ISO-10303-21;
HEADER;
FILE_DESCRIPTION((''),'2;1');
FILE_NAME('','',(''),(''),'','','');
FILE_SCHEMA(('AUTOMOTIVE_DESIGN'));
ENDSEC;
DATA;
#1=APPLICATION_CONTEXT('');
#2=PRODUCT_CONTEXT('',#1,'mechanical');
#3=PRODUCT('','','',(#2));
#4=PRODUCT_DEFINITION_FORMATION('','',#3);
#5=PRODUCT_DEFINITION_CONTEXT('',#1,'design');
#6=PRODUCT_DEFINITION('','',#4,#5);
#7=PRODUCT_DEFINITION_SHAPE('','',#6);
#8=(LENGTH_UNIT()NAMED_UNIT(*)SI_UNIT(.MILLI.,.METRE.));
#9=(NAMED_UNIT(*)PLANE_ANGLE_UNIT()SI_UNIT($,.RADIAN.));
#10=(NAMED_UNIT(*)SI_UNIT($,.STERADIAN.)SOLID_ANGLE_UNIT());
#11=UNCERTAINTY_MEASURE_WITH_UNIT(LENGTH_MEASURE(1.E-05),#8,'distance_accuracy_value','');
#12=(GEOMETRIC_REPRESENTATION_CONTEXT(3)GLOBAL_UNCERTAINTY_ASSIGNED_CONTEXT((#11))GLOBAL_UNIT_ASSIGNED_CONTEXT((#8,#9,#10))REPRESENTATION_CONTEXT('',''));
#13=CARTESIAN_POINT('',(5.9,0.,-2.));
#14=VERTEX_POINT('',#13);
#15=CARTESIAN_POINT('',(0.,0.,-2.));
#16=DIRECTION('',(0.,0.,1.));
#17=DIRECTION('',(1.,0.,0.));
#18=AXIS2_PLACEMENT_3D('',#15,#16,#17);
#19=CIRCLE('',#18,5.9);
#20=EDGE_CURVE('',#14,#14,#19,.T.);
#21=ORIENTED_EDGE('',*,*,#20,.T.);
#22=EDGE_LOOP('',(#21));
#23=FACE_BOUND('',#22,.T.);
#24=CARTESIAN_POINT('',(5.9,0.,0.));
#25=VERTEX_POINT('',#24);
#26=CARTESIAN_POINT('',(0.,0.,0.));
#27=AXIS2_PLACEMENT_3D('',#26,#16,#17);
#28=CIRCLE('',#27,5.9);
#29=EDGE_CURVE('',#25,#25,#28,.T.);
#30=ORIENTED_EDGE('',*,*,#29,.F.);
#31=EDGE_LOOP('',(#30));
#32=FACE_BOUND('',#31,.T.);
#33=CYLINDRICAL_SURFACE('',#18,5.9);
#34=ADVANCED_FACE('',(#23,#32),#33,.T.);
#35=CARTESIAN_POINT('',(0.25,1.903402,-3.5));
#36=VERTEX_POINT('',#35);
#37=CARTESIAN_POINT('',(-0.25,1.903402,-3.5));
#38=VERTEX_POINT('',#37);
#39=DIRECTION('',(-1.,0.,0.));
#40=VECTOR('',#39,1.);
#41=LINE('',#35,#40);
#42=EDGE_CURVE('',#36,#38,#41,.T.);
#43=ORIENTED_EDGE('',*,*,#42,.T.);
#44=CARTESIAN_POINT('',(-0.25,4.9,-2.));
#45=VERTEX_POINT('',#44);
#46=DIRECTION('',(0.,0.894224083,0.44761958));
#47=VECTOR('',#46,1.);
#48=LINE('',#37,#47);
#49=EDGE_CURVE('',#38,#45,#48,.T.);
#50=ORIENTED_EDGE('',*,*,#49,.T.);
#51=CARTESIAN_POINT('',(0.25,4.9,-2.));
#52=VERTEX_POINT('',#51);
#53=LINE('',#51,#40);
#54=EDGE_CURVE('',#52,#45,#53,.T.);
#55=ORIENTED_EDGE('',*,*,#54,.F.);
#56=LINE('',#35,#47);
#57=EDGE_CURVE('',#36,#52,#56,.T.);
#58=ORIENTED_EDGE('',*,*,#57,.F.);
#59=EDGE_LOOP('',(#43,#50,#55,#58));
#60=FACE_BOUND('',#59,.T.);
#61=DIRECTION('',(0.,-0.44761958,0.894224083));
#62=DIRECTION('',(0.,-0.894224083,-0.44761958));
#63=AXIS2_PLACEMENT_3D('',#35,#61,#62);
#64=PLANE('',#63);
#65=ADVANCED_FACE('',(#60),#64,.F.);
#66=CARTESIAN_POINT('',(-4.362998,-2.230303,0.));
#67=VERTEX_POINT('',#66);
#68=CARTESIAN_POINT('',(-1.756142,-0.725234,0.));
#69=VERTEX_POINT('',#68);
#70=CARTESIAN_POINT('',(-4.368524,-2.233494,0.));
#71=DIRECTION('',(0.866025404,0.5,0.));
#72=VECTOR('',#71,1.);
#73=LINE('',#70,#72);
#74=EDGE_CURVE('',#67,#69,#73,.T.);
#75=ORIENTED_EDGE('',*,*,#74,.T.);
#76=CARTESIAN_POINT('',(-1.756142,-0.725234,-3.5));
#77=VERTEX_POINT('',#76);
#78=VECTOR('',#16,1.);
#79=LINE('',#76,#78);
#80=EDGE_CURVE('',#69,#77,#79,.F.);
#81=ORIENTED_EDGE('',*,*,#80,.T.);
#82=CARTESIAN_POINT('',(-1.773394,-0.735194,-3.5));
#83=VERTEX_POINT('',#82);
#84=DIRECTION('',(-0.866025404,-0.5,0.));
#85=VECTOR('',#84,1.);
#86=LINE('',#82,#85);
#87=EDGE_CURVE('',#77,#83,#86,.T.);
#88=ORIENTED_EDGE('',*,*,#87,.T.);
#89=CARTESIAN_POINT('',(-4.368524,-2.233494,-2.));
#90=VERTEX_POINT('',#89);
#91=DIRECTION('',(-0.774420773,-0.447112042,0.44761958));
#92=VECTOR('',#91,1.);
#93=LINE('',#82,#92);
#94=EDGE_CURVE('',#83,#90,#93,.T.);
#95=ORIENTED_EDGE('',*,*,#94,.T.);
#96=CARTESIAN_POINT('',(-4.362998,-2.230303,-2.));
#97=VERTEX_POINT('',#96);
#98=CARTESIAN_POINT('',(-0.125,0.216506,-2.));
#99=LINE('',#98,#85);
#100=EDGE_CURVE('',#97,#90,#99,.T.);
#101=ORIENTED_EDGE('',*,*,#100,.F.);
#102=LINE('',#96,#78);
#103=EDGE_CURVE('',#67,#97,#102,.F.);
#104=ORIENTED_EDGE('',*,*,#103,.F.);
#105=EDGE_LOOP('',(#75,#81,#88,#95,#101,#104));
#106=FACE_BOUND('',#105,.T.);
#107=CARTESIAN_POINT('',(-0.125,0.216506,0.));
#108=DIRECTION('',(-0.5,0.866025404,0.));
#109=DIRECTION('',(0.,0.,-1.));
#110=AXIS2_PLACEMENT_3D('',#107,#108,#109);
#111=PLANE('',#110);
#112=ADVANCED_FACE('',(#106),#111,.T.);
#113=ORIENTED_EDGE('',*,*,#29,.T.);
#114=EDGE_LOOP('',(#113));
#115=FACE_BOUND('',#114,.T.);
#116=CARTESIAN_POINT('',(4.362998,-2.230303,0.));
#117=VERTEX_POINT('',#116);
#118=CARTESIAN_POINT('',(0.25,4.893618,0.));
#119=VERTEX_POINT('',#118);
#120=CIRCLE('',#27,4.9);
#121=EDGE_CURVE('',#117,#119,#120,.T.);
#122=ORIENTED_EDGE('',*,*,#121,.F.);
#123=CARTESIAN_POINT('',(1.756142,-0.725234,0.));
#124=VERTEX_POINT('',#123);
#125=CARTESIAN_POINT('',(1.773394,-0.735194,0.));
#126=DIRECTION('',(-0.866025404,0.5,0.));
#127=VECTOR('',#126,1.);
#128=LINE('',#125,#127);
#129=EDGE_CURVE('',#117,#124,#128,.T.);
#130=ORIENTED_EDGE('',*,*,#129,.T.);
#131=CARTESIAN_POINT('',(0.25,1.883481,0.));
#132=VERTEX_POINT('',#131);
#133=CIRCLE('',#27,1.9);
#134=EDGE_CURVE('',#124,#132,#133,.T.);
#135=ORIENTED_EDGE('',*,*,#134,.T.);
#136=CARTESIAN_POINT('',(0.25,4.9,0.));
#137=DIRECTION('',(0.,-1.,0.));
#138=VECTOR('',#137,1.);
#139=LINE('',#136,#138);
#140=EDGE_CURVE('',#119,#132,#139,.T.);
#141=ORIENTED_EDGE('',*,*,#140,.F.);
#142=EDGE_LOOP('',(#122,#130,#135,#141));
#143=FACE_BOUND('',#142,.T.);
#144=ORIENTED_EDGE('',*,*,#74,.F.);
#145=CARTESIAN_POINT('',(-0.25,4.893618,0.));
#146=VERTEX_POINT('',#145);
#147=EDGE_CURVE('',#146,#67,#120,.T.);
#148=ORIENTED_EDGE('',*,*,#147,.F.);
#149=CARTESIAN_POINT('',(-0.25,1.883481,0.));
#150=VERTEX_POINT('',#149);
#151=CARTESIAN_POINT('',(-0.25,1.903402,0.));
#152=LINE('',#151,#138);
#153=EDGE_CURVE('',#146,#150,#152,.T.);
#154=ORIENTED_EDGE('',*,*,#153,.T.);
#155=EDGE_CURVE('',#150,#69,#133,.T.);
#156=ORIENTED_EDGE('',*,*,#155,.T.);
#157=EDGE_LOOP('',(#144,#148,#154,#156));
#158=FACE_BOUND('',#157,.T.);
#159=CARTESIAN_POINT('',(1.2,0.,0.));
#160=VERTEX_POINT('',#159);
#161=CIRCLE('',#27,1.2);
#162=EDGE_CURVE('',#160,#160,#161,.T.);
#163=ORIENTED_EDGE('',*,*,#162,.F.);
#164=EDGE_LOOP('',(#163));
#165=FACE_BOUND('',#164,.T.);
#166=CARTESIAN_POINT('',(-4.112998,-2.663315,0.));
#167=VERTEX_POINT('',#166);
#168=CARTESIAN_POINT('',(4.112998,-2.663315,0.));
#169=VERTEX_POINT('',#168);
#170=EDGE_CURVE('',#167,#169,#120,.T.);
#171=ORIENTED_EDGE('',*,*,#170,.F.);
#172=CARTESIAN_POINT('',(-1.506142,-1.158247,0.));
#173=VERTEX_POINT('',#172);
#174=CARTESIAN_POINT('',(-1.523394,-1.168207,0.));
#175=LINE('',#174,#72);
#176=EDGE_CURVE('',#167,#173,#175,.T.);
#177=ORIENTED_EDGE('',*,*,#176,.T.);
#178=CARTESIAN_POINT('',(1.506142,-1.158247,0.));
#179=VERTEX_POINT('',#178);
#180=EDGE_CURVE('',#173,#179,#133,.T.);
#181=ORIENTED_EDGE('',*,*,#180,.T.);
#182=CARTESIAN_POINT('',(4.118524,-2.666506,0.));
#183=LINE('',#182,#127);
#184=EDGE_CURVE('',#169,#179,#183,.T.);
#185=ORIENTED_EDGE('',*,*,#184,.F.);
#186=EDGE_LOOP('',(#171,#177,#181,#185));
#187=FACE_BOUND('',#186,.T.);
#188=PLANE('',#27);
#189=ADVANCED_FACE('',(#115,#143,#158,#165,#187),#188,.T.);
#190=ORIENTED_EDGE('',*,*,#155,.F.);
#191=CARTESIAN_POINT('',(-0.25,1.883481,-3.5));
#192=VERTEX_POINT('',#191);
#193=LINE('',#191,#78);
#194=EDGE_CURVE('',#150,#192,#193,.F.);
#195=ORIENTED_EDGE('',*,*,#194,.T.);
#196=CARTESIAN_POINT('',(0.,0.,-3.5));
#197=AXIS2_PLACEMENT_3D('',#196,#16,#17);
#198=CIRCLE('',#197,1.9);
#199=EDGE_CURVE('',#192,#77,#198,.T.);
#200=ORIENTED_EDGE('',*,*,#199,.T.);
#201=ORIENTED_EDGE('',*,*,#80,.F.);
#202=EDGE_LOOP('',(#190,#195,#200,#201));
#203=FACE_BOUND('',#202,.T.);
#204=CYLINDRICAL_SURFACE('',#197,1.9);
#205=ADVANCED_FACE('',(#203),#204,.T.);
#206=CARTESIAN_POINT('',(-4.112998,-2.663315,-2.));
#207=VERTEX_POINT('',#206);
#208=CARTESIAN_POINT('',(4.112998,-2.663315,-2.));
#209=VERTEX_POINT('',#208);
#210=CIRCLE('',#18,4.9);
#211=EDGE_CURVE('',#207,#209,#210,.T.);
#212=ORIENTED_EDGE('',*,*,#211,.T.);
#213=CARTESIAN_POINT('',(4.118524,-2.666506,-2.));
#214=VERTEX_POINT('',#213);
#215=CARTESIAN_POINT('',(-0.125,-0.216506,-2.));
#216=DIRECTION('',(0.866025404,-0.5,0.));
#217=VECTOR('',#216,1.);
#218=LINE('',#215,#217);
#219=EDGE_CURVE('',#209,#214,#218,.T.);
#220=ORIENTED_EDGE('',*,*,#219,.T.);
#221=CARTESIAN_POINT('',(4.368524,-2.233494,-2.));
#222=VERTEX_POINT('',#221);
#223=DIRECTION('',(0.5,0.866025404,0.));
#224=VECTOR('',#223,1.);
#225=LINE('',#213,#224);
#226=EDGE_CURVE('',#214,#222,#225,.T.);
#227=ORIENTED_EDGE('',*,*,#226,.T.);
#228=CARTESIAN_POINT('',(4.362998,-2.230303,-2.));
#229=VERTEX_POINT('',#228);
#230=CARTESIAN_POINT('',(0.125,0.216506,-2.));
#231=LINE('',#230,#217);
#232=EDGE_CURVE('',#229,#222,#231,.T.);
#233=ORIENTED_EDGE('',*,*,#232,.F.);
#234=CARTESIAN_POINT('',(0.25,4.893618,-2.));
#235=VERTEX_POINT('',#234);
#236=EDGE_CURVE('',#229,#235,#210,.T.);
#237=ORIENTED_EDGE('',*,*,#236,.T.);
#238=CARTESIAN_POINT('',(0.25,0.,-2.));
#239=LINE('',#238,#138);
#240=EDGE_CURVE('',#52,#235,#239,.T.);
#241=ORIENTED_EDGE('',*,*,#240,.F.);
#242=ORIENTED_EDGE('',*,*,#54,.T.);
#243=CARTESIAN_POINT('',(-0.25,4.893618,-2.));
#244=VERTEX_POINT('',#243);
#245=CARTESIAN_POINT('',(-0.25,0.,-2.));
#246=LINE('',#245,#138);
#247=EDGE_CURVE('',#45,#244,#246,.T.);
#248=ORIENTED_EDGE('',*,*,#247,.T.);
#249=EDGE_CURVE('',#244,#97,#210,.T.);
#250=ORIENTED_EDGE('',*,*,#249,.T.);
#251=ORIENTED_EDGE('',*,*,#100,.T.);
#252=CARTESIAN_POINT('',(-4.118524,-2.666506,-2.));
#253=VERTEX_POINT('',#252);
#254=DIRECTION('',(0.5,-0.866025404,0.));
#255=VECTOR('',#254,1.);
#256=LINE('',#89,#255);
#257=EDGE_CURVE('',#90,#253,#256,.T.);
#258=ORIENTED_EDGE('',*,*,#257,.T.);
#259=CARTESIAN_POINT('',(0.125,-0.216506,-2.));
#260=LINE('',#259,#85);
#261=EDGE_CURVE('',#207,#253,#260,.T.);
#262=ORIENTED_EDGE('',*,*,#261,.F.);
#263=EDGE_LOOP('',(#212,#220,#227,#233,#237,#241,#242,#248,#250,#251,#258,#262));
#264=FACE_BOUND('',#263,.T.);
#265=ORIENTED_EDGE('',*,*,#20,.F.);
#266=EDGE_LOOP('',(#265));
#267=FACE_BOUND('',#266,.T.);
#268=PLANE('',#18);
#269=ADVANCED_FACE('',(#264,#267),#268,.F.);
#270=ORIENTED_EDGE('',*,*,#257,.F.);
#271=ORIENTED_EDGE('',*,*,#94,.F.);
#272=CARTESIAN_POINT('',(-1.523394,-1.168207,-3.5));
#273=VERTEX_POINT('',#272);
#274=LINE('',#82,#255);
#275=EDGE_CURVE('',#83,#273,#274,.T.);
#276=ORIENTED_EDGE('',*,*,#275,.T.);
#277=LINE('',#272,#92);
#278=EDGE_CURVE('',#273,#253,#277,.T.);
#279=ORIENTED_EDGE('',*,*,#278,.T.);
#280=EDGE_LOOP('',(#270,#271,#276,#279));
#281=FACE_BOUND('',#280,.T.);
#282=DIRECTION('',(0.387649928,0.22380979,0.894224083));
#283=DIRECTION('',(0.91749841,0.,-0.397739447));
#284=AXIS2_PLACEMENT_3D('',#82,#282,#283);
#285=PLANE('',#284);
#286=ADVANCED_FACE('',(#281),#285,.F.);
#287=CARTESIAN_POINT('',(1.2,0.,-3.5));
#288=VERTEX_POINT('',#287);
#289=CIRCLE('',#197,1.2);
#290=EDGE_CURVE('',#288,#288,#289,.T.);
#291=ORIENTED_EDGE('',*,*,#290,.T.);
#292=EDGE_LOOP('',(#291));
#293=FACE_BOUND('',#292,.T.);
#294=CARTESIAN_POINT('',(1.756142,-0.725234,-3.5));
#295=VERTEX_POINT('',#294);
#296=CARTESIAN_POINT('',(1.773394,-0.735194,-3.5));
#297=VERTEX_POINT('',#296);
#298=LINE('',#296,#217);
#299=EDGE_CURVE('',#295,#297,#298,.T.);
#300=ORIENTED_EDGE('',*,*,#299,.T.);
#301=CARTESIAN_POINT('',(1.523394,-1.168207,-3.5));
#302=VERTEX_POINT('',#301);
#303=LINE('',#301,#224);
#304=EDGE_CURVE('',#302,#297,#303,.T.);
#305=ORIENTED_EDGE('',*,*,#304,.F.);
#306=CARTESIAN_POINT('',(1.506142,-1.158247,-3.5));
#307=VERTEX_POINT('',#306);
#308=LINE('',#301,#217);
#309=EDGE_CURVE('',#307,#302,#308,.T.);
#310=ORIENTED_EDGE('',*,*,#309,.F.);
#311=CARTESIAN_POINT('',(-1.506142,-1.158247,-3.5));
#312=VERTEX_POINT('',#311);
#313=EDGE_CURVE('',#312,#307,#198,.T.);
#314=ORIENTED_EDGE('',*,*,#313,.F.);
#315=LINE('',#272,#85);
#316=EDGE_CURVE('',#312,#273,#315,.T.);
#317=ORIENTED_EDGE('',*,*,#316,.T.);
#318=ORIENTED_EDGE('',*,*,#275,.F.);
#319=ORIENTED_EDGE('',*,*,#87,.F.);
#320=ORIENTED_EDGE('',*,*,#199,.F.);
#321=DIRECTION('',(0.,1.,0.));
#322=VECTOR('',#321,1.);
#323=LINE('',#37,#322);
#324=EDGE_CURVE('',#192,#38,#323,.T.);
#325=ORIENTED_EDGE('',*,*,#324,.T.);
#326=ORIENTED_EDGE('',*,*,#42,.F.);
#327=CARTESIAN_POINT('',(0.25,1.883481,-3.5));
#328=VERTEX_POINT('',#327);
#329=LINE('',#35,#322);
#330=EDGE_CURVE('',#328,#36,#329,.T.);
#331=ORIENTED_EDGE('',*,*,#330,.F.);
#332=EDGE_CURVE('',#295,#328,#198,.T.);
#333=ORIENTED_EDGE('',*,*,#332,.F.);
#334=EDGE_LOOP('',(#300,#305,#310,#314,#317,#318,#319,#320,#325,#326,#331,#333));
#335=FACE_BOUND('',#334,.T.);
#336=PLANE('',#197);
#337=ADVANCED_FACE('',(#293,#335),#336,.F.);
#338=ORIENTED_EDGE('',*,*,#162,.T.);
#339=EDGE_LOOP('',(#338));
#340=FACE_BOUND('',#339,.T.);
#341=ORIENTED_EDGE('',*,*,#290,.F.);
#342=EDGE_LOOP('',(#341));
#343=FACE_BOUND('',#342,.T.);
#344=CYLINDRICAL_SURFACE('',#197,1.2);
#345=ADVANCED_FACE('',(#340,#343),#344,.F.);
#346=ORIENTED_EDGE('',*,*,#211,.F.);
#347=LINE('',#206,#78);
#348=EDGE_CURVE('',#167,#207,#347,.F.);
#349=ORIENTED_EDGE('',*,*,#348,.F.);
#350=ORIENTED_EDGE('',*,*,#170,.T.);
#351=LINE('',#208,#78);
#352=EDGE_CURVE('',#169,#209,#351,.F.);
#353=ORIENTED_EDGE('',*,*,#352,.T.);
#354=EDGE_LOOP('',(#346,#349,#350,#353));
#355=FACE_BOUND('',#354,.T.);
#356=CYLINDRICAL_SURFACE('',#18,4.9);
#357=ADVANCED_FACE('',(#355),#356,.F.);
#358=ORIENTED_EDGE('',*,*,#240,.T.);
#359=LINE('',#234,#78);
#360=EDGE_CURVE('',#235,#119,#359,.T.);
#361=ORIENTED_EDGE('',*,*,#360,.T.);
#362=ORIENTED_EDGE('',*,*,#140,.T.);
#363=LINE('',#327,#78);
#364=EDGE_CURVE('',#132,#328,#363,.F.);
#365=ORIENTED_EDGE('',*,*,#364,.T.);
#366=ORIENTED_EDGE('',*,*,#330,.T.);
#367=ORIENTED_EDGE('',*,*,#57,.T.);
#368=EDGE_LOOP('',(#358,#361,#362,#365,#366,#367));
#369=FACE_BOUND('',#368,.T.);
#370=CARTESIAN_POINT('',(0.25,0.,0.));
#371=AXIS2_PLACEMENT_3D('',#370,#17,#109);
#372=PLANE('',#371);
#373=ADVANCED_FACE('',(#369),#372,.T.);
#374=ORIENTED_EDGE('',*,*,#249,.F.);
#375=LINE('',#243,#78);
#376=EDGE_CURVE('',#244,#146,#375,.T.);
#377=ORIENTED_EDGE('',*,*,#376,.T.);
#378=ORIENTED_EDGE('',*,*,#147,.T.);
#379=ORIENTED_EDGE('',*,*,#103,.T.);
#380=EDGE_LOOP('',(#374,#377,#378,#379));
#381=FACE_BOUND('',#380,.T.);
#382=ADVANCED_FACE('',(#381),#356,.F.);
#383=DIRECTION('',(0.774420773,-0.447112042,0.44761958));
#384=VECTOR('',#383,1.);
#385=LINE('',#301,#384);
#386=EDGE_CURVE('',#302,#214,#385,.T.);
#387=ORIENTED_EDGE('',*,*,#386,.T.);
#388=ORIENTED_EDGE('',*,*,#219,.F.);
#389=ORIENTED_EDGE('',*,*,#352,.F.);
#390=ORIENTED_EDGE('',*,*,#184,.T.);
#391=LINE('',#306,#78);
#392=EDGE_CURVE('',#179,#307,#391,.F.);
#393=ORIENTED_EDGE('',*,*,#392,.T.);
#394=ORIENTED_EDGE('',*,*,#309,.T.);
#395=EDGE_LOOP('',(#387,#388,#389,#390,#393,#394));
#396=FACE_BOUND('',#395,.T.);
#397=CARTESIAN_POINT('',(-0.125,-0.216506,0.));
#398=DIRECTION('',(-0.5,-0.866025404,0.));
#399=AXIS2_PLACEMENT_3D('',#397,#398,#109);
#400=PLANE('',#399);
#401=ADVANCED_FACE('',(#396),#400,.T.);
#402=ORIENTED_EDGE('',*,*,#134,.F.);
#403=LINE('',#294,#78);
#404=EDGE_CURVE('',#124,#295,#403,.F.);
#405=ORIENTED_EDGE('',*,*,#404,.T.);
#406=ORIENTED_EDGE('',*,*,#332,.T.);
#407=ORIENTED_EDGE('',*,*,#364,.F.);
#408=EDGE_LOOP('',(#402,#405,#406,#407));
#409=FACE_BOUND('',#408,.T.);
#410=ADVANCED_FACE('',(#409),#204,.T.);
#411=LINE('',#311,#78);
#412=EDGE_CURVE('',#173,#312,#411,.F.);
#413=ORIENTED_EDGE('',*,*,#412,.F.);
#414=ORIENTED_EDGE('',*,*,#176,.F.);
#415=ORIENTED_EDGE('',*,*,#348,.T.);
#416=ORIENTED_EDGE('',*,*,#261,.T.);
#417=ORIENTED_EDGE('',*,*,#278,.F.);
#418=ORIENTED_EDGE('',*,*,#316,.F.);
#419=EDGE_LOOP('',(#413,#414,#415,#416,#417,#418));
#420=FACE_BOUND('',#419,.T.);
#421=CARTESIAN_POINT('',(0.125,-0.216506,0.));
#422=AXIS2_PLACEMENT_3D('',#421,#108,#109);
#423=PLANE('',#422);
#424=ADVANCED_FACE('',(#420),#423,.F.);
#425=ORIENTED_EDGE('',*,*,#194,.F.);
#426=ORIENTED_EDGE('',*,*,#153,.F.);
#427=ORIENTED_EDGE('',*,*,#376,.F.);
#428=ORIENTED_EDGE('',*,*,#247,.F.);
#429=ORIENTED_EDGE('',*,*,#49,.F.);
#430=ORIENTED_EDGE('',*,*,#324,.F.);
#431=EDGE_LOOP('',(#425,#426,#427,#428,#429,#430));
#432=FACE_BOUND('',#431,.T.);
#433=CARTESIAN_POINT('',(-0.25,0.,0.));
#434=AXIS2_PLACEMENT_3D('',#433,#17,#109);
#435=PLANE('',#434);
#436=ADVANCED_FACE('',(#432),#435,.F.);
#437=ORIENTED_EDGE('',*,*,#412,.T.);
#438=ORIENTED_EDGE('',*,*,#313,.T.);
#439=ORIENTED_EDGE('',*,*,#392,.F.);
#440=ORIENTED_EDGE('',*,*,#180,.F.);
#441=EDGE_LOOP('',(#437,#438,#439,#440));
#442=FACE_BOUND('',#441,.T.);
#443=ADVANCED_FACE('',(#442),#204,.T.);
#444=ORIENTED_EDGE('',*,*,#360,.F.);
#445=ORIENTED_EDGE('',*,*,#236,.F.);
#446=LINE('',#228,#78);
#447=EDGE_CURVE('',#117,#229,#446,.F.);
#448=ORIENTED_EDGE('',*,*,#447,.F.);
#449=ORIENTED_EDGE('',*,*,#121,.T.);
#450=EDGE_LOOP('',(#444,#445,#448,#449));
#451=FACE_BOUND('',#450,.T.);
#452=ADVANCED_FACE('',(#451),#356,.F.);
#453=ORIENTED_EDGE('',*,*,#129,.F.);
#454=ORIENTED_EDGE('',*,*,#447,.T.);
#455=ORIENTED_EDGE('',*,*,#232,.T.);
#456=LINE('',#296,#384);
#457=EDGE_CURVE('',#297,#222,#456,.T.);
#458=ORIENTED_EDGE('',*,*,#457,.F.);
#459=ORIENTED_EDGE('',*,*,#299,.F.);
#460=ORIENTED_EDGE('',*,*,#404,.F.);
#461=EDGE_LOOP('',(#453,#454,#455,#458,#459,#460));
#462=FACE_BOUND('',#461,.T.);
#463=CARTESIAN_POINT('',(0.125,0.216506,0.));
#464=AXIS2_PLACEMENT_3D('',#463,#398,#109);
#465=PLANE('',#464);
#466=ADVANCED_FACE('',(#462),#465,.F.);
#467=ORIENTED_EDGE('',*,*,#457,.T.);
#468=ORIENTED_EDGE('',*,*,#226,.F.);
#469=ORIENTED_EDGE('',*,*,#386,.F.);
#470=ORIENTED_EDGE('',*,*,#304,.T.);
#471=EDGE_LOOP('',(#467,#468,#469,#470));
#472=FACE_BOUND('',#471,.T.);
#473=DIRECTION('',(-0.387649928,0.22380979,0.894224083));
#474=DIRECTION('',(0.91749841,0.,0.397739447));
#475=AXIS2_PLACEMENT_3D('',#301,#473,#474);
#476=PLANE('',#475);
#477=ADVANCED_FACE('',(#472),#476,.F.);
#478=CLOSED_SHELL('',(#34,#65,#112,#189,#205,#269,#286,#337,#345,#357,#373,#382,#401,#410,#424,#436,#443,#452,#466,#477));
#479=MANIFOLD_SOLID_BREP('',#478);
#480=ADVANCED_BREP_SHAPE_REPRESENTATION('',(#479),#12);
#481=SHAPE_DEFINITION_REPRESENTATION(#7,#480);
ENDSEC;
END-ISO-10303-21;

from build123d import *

# Parameters (mm, degrees)
SKETCH3_R           = 1.9
SKETCH3_R_2         = 1.2
BOSS_EXTRUDE4_DEPTH = 3.5
SKETCH3_3_R         = 5.9
SKETCH3_3_R_2       = 4.9
BOSS_EXTRUDE5_DEPTH = 2
BOSS_EXTRUDE6_DEPTH = 0.25
CIRPATTERN1_COUNT   = 3


with BuildPart() as part:
    # Sketch3 → Boss-Extrude4 (new body)
    with BuildSketch(Plane.XY):
        Circle(SKETCH3_R)
        Circle(SKETCH3_R_2, mode=Mode.SUBTRACT)
    extrude(amount=-BOSS_EXTRUDE4_DEPTH)



with BuildPart() as body_2:
    # Sketch3<3> → Boss-Extrude5 (new body)
    with BuildSketch(Plane.XY):
        Circle(SKETCH3_3_R)
        Circle(SKETCH3_3_R_2, mode=Mode.SUBTRACT)
    extrude(amount=-BOSS_EXTRUDE5_DEPTH)


with BuildPart() as part_1:
    add(part.part)

    add(body_2.part)  # Boss-Extrude6 merges body 2
    # Sketch5 → Boss-Extrude6 (add, symmetric)
    with BuildSketch(Plane(origin=(0, 0, 0), x_dir=(0, 0, -1), z_dir=(1, 0, 0))):
        Polygon((0, 4.9), (0, 1.903401583), (0, 1.703401583), (3.5, 1.703401583), (3.5, 1.903401583), (2, 4.9), align=None)
    boss_extrude6 = extrude(amount=BOSS_EXTRUDE6_DEPTH, both=True)

    # CirPattern1: Boss-Extrude6 ×3 about axis
    cirpattern1_axis = Axis((0, 0, 0), (0, 0, 1))
    for i in range(1, CIRPATTERN1_COUNT):
        add(boss_extrude6.rotate(cirpattern1_axis, i * 360 / CIRPATTERN1_COUNT))


solid = part_1.part
